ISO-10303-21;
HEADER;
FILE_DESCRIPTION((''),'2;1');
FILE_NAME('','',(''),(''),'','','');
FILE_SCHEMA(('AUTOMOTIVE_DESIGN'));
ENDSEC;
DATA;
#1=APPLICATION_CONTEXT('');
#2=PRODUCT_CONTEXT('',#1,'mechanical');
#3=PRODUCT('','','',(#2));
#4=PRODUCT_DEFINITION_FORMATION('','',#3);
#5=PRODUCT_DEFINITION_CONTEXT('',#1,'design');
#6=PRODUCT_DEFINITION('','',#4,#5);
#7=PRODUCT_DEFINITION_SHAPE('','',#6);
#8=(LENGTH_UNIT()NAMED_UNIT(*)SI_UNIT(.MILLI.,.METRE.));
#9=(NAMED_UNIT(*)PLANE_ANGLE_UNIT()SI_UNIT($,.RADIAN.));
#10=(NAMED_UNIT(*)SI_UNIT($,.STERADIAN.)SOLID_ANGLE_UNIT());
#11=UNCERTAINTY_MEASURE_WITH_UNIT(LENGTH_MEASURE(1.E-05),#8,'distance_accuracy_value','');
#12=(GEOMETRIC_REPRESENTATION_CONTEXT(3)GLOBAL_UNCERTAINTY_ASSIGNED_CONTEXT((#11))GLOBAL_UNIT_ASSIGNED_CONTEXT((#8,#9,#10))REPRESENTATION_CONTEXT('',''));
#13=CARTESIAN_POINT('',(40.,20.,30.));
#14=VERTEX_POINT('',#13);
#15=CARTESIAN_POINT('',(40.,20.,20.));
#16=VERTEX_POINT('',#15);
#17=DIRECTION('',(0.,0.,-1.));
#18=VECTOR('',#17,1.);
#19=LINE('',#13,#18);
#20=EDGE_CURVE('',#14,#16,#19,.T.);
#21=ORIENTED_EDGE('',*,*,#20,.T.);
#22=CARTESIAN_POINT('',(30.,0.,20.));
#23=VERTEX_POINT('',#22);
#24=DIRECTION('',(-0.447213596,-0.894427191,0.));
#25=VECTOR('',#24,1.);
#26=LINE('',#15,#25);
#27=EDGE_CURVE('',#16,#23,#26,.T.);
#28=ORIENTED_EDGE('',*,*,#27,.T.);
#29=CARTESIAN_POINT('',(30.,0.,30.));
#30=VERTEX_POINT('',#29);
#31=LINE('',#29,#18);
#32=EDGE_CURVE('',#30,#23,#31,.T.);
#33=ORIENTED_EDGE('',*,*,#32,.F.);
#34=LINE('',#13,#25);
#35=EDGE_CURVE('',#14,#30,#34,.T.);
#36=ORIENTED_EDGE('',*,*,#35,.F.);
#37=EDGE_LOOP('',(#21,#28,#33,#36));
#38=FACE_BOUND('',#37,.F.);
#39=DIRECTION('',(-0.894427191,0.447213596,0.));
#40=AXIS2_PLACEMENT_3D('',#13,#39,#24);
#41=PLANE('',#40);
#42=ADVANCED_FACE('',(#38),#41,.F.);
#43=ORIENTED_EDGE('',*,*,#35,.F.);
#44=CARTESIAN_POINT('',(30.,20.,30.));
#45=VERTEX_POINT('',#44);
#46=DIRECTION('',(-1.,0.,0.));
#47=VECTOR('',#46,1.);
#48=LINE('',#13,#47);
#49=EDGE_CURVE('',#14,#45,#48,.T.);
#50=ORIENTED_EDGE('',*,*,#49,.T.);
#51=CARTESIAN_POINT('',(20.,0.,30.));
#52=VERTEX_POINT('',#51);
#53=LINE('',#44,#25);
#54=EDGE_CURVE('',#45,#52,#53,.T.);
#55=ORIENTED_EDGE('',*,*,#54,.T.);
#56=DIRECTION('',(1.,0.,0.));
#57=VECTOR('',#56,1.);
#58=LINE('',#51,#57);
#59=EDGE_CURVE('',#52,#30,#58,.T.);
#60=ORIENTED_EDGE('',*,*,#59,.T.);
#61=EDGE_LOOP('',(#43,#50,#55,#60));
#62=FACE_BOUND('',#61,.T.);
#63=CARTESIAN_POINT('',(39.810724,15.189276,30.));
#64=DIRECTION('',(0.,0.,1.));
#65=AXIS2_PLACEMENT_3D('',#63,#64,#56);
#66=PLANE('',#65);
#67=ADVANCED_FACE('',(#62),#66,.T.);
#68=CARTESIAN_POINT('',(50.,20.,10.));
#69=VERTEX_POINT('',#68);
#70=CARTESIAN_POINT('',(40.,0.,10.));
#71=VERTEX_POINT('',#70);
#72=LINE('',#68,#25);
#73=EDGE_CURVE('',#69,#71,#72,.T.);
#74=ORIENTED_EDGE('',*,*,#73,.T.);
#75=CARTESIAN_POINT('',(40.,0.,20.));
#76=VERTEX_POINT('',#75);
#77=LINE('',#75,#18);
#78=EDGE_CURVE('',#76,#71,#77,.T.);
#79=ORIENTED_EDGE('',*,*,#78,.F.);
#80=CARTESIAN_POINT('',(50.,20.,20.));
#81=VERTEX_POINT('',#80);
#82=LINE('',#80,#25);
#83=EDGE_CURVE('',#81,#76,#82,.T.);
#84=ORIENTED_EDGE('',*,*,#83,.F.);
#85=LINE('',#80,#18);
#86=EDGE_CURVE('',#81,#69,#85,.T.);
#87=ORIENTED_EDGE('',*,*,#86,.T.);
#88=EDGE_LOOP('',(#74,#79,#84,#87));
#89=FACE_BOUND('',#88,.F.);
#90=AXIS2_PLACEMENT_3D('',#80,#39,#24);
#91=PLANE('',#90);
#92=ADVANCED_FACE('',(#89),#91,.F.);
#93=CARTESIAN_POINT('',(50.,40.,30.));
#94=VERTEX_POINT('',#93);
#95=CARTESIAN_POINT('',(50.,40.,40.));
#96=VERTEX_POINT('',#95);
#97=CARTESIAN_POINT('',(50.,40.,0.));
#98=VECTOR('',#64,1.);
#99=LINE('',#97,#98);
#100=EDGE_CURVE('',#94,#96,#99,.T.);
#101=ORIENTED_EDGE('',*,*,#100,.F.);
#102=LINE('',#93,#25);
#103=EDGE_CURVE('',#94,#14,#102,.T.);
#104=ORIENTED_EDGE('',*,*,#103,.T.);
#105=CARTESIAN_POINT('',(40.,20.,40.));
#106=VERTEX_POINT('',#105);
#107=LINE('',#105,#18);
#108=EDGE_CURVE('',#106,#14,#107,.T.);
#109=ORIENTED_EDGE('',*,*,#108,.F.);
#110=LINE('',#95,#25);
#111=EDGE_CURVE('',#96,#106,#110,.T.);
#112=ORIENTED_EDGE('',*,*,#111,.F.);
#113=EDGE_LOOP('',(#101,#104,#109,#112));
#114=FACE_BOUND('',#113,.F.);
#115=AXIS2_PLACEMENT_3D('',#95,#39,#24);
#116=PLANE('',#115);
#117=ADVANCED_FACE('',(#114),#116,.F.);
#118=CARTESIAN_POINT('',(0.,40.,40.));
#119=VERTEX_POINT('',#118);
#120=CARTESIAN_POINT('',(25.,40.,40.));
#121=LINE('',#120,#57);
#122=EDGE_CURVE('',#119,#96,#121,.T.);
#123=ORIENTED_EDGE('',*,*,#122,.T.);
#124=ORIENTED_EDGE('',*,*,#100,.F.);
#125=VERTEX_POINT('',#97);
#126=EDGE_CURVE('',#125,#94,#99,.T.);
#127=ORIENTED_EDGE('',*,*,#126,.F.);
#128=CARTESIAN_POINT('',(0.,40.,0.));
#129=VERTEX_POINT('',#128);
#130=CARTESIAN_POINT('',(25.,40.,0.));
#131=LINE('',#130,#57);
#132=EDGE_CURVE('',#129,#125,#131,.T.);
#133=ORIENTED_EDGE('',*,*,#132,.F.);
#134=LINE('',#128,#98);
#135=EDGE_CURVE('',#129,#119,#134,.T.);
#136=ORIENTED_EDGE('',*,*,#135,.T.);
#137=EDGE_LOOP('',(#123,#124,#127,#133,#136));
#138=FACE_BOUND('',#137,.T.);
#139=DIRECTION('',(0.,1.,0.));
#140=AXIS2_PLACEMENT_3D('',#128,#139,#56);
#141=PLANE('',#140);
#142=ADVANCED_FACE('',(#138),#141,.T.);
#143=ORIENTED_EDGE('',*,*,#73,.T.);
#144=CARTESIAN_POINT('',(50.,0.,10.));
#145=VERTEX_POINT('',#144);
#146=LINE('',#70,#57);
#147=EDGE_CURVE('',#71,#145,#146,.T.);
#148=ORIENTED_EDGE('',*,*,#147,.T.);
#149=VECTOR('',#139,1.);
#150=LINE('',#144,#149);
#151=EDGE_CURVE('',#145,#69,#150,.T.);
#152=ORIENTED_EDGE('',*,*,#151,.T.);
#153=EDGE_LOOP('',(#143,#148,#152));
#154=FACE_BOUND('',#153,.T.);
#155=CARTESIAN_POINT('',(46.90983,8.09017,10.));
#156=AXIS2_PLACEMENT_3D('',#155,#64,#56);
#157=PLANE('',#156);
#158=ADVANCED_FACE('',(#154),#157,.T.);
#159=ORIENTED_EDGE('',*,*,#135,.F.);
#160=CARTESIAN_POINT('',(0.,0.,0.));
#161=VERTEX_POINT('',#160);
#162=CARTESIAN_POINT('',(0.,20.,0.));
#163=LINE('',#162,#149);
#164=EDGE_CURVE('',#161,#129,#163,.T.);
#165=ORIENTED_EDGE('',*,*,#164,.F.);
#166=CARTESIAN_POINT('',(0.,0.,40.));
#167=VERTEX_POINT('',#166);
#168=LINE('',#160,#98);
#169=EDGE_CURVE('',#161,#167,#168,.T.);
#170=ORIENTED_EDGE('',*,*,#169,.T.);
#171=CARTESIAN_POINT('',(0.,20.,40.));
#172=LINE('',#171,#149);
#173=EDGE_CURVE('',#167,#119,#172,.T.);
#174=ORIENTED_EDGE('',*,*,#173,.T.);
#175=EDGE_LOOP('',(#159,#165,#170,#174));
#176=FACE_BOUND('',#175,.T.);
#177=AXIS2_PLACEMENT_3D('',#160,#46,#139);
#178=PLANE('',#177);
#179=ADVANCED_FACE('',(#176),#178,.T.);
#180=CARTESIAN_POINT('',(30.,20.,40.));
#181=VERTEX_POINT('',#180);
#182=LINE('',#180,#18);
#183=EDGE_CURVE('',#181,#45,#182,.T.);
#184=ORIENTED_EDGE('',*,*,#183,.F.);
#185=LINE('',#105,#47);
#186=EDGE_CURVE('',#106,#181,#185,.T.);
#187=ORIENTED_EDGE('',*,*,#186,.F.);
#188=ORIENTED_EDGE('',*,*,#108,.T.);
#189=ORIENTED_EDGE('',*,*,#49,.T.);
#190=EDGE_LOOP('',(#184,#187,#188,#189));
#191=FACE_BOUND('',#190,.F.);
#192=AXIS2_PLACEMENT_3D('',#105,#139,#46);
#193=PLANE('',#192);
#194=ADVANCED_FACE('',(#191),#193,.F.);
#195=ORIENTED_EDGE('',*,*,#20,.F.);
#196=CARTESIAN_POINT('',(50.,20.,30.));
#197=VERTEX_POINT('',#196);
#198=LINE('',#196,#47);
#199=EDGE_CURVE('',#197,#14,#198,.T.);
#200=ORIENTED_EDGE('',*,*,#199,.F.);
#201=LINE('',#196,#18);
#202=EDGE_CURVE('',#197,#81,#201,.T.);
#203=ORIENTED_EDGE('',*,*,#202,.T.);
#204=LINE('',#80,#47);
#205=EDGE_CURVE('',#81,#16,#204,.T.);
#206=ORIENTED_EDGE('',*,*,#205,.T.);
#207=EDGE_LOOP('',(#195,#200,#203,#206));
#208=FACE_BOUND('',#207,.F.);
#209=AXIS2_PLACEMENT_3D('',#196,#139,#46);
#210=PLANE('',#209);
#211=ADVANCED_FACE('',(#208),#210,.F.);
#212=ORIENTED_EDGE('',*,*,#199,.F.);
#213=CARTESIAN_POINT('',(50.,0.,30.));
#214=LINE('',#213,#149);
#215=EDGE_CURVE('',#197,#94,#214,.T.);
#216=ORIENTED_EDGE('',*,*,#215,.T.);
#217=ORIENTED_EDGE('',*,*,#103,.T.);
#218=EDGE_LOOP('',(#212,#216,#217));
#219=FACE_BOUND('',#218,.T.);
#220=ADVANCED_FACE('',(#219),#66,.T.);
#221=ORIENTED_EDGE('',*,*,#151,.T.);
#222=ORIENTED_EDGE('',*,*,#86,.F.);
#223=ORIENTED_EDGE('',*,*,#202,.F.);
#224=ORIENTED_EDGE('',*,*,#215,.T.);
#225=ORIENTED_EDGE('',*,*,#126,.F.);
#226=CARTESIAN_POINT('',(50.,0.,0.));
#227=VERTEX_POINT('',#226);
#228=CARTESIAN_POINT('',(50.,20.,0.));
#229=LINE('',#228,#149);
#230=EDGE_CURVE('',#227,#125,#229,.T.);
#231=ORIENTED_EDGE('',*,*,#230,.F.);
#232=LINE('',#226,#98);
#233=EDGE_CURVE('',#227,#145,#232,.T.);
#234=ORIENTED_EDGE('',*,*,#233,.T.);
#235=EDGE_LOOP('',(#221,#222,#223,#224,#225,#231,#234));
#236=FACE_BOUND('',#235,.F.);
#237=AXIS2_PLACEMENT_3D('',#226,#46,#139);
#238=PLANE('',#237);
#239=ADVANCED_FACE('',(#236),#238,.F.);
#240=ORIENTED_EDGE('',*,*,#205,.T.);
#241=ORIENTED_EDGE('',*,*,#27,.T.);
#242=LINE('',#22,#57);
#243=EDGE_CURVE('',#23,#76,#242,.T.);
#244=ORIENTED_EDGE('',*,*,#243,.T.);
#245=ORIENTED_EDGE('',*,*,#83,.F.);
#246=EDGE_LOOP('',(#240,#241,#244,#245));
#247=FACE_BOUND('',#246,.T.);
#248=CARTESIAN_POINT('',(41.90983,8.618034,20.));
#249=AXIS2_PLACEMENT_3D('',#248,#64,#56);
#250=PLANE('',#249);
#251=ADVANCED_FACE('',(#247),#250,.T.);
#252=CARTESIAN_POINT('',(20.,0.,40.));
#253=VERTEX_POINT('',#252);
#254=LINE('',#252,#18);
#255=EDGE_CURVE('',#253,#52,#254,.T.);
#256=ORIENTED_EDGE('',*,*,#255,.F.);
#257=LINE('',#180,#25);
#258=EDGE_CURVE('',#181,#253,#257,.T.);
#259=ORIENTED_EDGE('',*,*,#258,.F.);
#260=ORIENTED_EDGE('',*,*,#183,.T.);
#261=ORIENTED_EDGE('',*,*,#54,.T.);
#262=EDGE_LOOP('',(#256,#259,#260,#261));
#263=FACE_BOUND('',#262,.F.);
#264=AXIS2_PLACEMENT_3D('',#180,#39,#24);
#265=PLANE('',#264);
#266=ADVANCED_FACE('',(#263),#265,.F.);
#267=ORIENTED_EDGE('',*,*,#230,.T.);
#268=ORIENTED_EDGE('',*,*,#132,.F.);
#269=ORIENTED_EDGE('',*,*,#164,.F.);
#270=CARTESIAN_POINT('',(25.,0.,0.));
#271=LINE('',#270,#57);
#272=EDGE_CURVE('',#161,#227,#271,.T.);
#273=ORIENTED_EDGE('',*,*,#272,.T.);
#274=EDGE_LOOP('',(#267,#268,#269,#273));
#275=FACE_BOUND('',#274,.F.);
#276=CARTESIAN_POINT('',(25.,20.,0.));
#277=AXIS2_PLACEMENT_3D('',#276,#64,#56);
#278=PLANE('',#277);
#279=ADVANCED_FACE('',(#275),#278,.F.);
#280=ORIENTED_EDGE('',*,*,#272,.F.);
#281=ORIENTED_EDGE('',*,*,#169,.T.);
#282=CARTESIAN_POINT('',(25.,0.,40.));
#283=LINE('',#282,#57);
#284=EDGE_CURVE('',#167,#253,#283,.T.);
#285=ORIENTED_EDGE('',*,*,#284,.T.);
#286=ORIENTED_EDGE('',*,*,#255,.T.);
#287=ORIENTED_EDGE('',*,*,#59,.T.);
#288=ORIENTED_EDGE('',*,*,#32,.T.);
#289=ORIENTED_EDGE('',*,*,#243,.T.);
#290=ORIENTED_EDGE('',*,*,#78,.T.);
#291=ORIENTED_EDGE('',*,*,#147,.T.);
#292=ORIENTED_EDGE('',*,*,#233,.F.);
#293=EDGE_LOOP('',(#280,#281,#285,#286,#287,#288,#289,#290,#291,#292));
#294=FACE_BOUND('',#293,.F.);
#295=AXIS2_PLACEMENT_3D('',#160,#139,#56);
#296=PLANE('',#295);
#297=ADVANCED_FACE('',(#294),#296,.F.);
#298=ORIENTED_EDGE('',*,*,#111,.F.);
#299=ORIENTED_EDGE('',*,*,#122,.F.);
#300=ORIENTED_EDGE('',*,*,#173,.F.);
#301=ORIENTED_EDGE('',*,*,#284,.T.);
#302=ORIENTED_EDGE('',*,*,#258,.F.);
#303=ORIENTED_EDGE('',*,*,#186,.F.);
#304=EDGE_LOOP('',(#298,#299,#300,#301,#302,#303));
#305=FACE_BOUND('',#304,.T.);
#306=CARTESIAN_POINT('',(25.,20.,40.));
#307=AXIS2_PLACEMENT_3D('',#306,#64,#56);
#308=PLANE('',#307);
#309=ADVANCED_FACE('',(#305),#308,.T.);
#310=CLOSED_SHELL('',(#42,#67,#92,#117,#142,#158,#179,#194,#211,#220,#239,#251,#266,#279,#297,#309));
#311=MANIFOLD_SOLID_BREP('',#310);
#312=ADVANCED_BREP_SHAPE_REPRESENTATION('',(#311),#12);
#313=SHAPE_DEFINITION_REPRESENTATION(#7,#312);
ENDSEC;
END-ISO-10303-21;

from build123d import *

# Parameters (mm, degrees)
F0_W     = 50
F0_H     = 40
F1_DEPTH = 40
F3_DEPTH = 10
F5_DEPTH = 10
F7_DEPTH = 10


with BuildPart() as f1:
    # F0 (on Top) → F1 (new body)
    with BuildSketch(Plane.XY):
        with Locations((25, 20)):
            Rectangle(F0_W, F0_H)
    extrude(amount=F1_DEPTH)

    # F2 (on face) → F3 (cut)
    with BuildSketch(Plane.XY.offset(40)):
        Polygon((30, 20), (20, 0), (50, 0), (50, 40), (40, 20), align=None)
    extrude(amount=-F3_DEPTH, mode=Mode.SUBTRACT)

    # F4 (on face) → F5 (cut)
    with BuildSketch(Plane.XY.offset(30)):
        Polygon((40, 20), (30, 0), (50, 0), (50, 20), align=None)
    extrude(amount=-F5_DEPTH, mode=Mode.SUBTRACT)

    # F6 (on face) → F7 (cut)
    with BuildSketch(Plane.XY.offset(20)):
        Polygon((50, 20), (40, 0), (50, 0), align=None)
    extrude(amount=-F7_DEPTH, mode=Mode.SUBTRACT)


solid = f1.part
